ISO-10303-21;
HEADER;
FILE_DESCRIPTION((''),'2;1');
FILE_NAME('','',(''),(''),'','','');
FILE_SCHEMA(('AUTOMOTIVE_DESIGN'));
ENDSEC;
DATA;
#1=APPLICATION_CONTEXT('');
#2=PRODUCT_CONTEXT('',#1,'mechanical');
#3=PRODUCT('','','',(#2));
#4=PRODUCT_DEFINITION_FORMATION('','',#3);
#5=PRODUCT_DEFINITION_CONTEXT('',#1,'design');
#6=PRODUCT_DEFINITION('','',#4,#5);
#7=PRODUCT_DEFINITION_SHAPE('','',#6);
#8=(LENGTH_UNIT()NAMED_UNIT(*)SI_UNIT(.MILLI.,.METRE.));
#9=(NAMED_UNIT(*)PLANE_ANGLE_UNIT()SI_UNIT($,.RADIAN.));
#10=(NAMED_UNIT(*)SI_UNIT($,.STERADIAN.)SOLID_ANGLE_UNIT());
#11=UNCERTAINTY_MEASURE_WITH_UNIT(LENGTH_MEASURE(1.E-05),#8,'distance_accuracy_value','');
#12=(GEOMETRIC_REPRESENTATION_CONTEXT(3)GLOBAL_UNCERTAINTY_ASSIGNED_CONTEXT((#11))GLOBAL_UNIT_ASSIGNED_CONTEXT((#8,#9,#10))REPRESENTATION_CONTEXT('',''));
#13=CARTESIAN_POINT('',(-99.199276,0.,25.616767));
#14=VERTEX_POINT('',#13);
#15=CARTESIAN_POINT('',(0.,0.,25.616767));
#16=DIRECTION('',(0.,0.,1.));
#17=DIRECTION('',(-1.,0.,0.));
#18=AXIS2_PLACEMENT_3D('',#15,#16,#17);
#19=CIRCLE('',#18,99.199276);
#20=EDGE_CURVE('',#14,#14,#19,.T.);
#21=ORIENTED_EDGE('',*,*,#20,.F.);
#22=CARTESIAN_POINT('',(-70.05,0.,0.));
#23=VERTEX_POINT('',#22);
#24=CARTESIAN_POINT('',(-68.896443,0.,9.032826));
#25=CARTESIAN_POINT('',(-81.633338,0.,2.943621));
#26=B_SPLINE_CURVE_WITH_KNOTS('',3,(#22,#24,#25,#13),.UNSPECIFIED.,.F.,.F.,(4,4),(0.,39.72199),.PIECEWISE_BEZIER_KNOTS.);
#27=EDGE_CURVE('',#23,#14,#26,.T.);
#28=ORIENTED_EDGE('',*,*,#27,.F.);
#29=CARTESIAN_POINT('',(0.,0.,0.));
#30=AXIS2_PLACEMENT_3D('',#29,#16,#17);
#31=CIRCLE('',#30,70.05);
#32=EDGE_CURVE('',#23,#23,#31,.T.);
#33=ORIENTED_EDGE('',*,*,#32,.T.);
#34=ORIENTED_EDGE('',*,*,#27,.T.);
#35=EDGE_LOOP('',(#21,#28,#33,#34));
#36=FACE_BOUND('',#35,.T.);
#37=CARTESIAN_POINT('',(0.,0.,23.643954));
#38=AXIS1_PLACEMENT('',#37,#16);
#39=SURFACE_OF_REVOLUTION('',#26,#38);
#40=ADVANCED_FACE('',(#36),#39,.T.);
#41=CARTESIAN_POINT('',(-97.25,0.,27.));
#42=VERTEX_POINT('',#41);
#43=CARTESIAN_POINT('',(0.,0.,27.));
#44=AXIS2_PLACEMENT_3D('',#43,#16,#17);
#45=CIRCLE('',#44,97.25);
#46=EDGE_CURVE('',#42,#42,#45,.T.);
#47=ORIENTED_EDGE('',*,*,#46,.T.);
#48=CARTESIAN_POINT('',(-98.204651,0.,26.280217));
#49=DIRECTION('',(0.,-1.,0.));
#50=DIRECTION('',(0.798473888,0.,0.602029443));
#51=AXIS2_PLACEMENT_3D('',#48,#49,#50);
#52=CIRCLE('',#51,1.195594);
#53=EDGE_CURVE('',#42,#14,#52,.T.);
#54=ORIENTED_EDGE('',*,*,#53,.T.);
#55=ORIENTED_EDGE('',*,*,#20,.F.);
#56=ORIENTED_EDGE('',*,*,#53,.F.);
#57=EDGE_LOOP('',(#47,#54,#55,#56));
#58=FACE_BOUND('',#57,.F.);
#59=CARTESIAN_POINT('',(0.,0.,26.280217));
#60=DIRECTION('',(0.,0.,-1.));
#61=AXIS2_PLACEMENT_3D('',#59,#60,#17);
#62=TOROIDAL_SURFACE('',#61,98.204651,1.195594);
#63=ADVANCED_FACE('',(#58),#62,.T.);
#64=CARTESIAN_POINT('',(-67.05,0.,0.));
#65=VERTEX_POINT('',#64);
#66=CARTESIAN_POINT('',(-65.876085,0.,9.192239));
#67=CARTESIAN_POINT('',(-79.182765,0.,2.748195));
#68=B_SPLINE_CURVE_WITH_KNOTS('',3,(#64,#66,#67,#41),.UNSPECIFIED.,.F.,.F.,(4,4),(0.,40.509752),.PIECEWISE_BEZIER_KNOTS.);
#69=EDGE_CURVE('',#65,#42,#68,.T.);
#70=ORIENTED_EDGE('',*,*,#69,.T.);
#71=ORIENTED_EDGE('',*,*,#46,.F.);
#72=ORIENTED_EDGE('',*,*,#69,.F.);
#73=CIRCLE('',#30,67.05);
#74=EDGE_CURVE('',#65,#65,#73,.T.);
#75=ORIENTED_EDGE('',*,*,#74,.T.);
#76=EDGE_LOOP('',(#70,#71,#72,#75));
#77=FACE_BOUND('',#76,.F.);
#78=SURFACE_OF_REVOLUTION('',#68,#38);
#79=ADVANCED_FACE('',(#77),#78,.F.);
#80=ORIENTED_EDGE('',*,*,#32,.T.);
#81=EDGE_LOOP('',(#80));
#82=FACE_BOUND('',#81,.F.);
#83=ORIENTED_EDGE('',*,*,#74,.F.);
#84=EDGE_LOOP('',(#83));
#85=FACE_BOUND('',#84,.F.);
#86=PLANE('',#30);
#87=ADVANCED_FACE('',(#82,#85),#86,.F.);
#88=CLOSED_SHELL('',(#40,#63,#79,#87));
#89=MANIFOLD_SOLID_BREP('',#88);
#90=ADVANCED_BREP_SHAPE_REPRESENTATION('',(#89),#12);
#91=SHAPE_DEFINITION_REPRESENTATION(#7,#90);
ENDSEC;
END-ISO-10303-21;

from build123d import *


with BuildPart() as f5:
    # F3 (on Front) → F5 (revolve)
    with BuildSketch(Plane.XZ):
        with BuildLine():
            add(Edge.make_bspline(
                [(-70.05, 0), (-68.896443, 9.032826), (-81.633338, 2.943621), (-99.199276, 25.616767)],
                knots=[0, 0, 0, 0, 39.72199, 39.72199, 39.72199, 39.72199], degree=3))
            Line((-70.05, 0), (-67.05, 0))
            add(Edge.make_bspline(
                [(-67.05, 0), (-65.876085, 9.192239), (-79.182765, 2.748195), (-97.25, 27)],
                knots=[0, 0, 0, 0, 40.509752, 40.509752, 40.509752, 40.509752], degree=3))
            Line((-97.25, 27), (-99.199276, 25.616767))
        make_face()
        with BuildLine():
            ThreePointArc((-97.25, 27), (-98.896556, 27.255262), (-99.199276, 25.616767))
            Line((-99.199276, 25.616767), (-97.25, 27))
        make_face()
    revolve(axis=Axis((0, 0, 23.643954), (0, 0, 1)))


solid = f5.part
